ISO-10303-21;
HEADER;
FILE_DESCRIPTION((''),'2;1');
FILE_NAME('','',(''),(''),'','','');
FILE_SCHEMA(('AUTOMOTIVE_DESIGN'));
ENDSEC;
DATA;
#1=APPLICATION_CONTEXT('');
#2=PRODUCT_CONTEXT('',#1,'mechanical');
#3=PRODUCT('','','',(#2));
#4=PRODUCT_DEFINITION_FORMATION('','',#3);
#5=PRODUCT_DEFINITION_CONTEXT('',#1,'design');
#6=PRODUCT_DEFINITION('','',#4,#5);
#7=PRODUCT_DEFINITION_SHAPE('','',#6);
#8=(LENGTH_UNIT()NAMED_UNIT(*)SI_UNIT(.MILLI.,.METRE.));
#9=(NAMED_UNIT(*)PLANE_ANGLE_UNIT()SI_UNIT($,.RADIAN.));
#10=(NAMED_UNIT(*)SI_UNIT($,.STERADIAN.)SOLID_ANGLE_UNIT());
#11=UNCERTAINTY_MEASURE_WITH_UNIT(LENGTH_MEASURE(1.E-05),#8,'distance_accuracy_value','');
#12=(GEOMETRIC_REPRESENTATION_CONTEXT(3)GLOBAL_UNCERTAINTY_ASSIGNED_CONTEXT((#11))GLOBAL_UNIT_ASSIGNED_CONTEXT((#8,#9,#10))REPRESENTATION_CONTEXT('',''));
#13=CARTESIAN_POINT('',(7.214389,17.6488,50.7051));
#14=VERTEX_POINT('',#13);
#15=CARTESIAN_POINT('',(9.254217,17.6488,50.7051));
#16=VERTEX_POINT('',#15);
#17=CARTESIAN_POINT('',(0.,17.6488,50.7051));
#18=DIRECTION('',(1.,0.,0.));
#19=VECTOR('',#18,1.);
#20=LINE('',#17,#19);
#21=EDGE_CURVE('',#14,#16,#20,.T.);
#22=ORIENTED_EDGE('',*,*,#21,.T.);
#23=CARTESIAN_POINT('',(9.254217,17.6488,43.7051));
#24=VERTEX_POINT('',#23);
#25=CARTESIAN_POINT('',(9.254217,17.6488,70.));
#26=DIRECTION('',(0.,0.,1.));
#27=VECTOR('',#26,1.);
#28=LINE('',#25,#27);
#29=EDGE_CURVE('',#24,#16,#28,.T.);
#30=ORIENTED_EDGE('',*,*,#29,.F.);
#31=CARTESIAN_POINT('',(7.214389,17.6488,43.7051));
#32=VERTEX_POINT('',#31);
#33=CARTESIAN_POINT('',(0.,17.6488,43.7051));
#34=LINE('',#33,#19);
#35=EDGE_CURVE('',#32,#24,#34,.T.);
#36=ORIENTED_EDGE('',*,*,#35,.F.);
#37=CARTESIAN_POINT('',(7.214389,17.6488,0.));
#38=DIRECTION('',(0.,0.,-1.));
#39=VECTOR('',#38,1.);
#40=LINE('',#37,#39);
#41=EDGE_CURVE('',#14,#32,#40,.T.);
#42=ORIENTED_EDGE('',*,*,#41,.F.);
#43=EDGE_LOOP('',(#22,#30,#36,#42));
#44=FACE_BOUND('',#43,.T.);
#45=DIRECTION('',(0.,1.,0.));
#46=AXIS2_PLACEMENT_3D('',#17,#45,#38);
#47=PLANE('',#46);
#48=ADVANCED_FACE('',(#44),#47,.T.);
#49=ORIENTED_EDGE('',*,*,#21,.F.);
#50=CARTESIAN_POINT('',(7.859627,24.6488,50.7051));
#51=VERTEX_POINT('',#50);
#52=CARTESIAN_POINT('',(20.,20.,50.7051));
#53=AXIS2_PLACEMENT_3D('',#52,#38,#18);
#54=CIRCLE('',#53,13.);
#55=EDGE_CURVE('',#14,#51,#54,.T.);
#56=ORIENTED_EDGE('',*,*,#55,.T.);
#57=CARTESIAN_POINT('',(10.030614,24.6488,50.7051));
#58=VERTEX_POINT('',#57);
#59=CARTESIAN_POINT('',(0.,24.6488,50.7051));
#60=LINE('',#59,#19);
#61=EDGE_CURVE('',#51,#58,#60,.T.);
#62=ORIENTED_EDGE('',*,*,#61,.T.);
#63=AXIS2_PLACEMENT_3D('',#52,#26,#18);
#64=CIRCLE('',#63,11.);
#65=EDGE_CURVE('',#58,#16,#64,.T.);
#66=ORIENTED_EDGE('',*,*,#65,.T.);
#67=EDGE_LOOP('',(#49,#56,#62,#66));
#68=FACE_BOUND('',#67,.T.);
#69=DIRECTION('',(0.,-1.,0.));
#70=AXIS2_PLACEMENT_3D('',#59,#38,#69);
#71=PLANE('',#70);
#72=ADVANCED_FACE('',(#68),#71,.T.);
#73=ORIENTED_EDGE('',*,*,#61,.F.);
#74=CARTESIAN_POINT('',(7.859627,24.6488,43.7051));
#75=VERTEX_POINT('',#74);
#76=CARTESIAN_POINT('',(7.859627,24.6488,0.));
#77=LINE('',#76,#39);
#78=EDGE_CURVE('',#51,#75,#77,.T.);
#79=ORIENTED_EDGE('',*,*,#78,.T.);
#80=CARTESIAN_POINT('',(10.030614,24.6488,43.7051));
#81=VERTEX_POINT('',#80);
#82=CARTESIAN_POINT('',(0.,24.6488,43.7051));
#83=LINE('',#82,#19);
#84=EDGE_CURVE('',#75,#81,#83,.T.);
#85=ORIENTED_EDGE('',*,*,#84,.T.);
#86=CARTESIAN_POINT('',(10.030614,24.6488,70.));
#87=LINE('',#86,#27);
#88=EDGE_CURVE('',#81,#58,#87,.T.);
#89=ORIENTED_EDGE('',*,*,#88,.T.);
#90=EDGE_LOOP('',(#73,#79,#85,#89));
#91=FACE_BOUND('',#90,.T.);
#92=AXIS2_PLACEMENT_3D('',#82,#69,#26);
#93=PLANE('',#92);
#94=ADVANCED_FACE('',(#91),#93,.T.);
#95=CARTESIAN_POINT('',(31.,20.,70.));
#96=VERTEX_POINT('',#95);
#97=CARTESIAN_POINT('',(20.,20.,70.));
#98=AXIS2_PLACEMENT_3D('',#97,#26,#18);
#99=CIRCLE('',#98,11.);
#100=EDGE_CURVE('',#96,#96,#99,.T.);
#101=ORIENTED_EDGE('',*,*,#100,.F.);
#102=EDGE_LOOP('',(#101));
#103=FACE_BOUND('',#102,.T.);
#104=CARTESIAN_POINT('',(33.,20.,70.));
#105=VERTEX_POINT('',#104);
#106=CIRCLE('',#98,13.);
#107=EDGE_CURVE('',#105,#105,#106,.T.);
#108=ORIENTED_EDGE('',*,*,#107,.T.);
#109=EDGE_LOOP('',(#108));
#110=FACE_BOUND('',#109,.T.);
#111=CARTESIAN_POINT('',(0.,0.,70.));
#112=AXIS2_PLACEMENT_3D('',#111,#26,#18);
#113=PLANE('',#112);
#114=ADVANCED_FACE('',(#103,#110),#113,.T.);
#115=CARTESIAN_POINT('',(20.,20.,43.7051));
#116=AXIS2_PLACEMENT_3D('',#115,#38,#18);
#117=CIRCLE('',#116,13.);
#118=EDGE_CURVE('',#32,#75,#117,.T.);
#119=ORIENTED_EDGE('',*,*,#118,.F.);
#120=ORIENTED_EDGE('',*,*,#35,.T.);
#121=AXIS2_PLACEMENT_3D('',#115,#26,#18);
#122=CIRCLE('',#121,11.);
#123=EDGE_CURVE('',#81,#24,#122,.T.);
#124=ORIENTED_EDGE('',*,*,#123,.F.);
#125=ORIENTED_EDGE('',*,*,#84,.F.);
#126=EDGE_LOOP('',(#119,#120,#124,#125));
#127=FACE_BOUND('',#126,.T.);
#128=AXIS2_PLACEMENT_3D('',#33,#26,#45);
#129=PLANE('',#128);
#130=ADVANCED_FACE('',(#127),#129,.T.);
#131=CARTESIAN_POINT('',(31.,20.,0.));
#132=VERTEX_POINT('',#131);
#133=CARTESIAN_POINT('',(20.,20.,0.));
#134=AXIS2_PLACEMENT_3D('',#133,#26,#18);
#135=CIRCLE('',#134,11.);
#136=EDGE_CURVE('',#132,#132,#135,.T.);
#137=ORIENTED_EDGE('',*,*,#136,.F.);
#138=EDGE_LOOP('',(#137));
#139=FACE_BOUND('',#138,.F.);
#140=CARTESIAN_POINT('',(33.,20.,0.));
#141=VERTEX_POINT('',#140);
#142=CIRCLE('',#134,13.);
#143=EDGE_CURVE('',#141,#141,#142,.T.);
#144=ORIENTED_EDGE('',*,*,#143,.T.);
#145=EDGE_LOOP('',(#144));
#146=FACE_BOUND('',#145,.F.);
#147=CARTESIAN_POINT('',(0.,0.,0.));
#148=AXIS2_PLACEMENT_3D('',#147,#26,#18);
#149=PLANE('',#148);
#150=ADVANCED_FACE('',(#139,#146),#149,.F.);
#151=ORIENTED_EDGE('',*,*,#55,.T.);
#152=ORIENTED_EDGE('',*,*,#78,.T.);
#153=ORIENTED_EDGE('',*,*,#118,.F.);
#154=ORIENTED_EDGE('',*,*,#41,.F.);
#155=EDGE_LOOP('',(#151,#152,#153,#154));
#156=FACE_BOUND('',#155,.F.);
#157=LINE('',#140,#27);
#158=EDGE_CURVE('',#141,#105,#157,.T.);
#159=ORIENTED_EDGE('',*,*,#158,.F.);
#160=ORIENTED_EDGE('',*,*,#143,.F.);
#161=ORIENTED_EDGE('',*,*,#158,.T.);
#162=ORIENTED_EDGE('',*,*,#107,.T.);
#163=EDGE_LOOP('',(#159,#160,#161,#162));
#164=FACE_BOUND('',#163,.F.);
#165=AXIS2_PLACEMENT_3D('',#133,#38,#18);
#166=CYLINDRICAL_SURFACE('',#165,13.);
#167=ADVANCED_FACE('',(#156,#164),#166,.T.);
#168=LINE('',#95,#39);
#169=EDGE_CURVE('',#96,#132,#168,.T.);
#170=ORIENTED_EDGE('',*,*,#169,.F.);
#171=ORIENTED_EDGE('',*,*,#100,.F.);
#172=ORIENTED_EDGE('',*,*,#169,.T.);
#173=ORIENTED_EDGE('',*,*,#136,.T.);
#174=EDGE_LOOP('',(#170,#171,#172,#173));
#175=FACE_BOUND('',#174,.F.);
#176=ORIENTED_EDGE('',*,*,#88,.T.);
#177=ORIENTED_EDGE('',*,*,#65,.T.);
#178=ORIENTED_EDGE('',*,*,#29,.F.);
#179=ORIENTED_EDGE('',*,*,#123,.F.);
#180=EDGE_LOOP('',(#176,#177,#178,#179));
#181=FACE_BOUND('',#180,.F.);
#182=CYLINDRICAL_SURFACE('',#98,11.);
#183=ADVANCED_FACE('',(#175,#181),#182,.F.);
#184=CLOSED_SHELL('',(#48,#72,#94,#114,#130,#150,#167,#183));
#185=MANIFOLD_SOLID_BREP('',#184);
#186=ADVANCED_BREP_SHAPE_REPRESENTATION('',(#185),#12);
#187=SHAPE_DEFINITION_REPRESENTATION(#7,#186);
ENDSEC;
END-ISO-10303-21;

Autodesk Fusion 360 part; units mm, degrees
sketch "Sketch1" plane through (0, 0, 0) normal (0, 0, 1) x (1, 0, 0)
  circle A0 centre (20, 20) radius 13
  dimension "d1" = 26
extrude "Extrude1" add sketch "Sketch1" along normal blind 70
sketch "Sketch2" plane through (0, 0, 70) normal (0, 0, 1) x (1, 0, 0)
  circle A0 centre (20, 20) radius 13
  circle A1 centre (20, 20) radius 11
  dimension "d4" = 2
extrude "Extrude2" cut sketch "Sketch2" against normal up to surface (70 mm away) contours A1
sketch "Sketch3" plane through (0, 0, 0) normal (1, 0, 0) x (0, 0, -1)
  line L0 (-50.7051, 17.6488) -> (-43.7051, 17.6488)
  line L1 (-43.7051, 17.6488) -> (-43.7051, 24.6488)
  line L2 (-43.7051, 24.6488) -> (-50.7051, 24.6488)
  line L3 (-50.7051, 24.6488) -> (-50.7051, 17.6488)
  line L4 (-50.7051, 17.6488) -> (-43.7051, 24.6488) construction
  line L5 (-43.7051, 17.6488) -> (-50.7051, 24.6488) construction
  point P0 (-47.2051, 21.1488)
  dimension "d7" = 7
  dimension "d8" = 7
extrude "Extrude4" cut sketch "Sketch3" along normal blind 15
extrude "Extrude3" cut sketch "Sketch3" along normal blind 12
